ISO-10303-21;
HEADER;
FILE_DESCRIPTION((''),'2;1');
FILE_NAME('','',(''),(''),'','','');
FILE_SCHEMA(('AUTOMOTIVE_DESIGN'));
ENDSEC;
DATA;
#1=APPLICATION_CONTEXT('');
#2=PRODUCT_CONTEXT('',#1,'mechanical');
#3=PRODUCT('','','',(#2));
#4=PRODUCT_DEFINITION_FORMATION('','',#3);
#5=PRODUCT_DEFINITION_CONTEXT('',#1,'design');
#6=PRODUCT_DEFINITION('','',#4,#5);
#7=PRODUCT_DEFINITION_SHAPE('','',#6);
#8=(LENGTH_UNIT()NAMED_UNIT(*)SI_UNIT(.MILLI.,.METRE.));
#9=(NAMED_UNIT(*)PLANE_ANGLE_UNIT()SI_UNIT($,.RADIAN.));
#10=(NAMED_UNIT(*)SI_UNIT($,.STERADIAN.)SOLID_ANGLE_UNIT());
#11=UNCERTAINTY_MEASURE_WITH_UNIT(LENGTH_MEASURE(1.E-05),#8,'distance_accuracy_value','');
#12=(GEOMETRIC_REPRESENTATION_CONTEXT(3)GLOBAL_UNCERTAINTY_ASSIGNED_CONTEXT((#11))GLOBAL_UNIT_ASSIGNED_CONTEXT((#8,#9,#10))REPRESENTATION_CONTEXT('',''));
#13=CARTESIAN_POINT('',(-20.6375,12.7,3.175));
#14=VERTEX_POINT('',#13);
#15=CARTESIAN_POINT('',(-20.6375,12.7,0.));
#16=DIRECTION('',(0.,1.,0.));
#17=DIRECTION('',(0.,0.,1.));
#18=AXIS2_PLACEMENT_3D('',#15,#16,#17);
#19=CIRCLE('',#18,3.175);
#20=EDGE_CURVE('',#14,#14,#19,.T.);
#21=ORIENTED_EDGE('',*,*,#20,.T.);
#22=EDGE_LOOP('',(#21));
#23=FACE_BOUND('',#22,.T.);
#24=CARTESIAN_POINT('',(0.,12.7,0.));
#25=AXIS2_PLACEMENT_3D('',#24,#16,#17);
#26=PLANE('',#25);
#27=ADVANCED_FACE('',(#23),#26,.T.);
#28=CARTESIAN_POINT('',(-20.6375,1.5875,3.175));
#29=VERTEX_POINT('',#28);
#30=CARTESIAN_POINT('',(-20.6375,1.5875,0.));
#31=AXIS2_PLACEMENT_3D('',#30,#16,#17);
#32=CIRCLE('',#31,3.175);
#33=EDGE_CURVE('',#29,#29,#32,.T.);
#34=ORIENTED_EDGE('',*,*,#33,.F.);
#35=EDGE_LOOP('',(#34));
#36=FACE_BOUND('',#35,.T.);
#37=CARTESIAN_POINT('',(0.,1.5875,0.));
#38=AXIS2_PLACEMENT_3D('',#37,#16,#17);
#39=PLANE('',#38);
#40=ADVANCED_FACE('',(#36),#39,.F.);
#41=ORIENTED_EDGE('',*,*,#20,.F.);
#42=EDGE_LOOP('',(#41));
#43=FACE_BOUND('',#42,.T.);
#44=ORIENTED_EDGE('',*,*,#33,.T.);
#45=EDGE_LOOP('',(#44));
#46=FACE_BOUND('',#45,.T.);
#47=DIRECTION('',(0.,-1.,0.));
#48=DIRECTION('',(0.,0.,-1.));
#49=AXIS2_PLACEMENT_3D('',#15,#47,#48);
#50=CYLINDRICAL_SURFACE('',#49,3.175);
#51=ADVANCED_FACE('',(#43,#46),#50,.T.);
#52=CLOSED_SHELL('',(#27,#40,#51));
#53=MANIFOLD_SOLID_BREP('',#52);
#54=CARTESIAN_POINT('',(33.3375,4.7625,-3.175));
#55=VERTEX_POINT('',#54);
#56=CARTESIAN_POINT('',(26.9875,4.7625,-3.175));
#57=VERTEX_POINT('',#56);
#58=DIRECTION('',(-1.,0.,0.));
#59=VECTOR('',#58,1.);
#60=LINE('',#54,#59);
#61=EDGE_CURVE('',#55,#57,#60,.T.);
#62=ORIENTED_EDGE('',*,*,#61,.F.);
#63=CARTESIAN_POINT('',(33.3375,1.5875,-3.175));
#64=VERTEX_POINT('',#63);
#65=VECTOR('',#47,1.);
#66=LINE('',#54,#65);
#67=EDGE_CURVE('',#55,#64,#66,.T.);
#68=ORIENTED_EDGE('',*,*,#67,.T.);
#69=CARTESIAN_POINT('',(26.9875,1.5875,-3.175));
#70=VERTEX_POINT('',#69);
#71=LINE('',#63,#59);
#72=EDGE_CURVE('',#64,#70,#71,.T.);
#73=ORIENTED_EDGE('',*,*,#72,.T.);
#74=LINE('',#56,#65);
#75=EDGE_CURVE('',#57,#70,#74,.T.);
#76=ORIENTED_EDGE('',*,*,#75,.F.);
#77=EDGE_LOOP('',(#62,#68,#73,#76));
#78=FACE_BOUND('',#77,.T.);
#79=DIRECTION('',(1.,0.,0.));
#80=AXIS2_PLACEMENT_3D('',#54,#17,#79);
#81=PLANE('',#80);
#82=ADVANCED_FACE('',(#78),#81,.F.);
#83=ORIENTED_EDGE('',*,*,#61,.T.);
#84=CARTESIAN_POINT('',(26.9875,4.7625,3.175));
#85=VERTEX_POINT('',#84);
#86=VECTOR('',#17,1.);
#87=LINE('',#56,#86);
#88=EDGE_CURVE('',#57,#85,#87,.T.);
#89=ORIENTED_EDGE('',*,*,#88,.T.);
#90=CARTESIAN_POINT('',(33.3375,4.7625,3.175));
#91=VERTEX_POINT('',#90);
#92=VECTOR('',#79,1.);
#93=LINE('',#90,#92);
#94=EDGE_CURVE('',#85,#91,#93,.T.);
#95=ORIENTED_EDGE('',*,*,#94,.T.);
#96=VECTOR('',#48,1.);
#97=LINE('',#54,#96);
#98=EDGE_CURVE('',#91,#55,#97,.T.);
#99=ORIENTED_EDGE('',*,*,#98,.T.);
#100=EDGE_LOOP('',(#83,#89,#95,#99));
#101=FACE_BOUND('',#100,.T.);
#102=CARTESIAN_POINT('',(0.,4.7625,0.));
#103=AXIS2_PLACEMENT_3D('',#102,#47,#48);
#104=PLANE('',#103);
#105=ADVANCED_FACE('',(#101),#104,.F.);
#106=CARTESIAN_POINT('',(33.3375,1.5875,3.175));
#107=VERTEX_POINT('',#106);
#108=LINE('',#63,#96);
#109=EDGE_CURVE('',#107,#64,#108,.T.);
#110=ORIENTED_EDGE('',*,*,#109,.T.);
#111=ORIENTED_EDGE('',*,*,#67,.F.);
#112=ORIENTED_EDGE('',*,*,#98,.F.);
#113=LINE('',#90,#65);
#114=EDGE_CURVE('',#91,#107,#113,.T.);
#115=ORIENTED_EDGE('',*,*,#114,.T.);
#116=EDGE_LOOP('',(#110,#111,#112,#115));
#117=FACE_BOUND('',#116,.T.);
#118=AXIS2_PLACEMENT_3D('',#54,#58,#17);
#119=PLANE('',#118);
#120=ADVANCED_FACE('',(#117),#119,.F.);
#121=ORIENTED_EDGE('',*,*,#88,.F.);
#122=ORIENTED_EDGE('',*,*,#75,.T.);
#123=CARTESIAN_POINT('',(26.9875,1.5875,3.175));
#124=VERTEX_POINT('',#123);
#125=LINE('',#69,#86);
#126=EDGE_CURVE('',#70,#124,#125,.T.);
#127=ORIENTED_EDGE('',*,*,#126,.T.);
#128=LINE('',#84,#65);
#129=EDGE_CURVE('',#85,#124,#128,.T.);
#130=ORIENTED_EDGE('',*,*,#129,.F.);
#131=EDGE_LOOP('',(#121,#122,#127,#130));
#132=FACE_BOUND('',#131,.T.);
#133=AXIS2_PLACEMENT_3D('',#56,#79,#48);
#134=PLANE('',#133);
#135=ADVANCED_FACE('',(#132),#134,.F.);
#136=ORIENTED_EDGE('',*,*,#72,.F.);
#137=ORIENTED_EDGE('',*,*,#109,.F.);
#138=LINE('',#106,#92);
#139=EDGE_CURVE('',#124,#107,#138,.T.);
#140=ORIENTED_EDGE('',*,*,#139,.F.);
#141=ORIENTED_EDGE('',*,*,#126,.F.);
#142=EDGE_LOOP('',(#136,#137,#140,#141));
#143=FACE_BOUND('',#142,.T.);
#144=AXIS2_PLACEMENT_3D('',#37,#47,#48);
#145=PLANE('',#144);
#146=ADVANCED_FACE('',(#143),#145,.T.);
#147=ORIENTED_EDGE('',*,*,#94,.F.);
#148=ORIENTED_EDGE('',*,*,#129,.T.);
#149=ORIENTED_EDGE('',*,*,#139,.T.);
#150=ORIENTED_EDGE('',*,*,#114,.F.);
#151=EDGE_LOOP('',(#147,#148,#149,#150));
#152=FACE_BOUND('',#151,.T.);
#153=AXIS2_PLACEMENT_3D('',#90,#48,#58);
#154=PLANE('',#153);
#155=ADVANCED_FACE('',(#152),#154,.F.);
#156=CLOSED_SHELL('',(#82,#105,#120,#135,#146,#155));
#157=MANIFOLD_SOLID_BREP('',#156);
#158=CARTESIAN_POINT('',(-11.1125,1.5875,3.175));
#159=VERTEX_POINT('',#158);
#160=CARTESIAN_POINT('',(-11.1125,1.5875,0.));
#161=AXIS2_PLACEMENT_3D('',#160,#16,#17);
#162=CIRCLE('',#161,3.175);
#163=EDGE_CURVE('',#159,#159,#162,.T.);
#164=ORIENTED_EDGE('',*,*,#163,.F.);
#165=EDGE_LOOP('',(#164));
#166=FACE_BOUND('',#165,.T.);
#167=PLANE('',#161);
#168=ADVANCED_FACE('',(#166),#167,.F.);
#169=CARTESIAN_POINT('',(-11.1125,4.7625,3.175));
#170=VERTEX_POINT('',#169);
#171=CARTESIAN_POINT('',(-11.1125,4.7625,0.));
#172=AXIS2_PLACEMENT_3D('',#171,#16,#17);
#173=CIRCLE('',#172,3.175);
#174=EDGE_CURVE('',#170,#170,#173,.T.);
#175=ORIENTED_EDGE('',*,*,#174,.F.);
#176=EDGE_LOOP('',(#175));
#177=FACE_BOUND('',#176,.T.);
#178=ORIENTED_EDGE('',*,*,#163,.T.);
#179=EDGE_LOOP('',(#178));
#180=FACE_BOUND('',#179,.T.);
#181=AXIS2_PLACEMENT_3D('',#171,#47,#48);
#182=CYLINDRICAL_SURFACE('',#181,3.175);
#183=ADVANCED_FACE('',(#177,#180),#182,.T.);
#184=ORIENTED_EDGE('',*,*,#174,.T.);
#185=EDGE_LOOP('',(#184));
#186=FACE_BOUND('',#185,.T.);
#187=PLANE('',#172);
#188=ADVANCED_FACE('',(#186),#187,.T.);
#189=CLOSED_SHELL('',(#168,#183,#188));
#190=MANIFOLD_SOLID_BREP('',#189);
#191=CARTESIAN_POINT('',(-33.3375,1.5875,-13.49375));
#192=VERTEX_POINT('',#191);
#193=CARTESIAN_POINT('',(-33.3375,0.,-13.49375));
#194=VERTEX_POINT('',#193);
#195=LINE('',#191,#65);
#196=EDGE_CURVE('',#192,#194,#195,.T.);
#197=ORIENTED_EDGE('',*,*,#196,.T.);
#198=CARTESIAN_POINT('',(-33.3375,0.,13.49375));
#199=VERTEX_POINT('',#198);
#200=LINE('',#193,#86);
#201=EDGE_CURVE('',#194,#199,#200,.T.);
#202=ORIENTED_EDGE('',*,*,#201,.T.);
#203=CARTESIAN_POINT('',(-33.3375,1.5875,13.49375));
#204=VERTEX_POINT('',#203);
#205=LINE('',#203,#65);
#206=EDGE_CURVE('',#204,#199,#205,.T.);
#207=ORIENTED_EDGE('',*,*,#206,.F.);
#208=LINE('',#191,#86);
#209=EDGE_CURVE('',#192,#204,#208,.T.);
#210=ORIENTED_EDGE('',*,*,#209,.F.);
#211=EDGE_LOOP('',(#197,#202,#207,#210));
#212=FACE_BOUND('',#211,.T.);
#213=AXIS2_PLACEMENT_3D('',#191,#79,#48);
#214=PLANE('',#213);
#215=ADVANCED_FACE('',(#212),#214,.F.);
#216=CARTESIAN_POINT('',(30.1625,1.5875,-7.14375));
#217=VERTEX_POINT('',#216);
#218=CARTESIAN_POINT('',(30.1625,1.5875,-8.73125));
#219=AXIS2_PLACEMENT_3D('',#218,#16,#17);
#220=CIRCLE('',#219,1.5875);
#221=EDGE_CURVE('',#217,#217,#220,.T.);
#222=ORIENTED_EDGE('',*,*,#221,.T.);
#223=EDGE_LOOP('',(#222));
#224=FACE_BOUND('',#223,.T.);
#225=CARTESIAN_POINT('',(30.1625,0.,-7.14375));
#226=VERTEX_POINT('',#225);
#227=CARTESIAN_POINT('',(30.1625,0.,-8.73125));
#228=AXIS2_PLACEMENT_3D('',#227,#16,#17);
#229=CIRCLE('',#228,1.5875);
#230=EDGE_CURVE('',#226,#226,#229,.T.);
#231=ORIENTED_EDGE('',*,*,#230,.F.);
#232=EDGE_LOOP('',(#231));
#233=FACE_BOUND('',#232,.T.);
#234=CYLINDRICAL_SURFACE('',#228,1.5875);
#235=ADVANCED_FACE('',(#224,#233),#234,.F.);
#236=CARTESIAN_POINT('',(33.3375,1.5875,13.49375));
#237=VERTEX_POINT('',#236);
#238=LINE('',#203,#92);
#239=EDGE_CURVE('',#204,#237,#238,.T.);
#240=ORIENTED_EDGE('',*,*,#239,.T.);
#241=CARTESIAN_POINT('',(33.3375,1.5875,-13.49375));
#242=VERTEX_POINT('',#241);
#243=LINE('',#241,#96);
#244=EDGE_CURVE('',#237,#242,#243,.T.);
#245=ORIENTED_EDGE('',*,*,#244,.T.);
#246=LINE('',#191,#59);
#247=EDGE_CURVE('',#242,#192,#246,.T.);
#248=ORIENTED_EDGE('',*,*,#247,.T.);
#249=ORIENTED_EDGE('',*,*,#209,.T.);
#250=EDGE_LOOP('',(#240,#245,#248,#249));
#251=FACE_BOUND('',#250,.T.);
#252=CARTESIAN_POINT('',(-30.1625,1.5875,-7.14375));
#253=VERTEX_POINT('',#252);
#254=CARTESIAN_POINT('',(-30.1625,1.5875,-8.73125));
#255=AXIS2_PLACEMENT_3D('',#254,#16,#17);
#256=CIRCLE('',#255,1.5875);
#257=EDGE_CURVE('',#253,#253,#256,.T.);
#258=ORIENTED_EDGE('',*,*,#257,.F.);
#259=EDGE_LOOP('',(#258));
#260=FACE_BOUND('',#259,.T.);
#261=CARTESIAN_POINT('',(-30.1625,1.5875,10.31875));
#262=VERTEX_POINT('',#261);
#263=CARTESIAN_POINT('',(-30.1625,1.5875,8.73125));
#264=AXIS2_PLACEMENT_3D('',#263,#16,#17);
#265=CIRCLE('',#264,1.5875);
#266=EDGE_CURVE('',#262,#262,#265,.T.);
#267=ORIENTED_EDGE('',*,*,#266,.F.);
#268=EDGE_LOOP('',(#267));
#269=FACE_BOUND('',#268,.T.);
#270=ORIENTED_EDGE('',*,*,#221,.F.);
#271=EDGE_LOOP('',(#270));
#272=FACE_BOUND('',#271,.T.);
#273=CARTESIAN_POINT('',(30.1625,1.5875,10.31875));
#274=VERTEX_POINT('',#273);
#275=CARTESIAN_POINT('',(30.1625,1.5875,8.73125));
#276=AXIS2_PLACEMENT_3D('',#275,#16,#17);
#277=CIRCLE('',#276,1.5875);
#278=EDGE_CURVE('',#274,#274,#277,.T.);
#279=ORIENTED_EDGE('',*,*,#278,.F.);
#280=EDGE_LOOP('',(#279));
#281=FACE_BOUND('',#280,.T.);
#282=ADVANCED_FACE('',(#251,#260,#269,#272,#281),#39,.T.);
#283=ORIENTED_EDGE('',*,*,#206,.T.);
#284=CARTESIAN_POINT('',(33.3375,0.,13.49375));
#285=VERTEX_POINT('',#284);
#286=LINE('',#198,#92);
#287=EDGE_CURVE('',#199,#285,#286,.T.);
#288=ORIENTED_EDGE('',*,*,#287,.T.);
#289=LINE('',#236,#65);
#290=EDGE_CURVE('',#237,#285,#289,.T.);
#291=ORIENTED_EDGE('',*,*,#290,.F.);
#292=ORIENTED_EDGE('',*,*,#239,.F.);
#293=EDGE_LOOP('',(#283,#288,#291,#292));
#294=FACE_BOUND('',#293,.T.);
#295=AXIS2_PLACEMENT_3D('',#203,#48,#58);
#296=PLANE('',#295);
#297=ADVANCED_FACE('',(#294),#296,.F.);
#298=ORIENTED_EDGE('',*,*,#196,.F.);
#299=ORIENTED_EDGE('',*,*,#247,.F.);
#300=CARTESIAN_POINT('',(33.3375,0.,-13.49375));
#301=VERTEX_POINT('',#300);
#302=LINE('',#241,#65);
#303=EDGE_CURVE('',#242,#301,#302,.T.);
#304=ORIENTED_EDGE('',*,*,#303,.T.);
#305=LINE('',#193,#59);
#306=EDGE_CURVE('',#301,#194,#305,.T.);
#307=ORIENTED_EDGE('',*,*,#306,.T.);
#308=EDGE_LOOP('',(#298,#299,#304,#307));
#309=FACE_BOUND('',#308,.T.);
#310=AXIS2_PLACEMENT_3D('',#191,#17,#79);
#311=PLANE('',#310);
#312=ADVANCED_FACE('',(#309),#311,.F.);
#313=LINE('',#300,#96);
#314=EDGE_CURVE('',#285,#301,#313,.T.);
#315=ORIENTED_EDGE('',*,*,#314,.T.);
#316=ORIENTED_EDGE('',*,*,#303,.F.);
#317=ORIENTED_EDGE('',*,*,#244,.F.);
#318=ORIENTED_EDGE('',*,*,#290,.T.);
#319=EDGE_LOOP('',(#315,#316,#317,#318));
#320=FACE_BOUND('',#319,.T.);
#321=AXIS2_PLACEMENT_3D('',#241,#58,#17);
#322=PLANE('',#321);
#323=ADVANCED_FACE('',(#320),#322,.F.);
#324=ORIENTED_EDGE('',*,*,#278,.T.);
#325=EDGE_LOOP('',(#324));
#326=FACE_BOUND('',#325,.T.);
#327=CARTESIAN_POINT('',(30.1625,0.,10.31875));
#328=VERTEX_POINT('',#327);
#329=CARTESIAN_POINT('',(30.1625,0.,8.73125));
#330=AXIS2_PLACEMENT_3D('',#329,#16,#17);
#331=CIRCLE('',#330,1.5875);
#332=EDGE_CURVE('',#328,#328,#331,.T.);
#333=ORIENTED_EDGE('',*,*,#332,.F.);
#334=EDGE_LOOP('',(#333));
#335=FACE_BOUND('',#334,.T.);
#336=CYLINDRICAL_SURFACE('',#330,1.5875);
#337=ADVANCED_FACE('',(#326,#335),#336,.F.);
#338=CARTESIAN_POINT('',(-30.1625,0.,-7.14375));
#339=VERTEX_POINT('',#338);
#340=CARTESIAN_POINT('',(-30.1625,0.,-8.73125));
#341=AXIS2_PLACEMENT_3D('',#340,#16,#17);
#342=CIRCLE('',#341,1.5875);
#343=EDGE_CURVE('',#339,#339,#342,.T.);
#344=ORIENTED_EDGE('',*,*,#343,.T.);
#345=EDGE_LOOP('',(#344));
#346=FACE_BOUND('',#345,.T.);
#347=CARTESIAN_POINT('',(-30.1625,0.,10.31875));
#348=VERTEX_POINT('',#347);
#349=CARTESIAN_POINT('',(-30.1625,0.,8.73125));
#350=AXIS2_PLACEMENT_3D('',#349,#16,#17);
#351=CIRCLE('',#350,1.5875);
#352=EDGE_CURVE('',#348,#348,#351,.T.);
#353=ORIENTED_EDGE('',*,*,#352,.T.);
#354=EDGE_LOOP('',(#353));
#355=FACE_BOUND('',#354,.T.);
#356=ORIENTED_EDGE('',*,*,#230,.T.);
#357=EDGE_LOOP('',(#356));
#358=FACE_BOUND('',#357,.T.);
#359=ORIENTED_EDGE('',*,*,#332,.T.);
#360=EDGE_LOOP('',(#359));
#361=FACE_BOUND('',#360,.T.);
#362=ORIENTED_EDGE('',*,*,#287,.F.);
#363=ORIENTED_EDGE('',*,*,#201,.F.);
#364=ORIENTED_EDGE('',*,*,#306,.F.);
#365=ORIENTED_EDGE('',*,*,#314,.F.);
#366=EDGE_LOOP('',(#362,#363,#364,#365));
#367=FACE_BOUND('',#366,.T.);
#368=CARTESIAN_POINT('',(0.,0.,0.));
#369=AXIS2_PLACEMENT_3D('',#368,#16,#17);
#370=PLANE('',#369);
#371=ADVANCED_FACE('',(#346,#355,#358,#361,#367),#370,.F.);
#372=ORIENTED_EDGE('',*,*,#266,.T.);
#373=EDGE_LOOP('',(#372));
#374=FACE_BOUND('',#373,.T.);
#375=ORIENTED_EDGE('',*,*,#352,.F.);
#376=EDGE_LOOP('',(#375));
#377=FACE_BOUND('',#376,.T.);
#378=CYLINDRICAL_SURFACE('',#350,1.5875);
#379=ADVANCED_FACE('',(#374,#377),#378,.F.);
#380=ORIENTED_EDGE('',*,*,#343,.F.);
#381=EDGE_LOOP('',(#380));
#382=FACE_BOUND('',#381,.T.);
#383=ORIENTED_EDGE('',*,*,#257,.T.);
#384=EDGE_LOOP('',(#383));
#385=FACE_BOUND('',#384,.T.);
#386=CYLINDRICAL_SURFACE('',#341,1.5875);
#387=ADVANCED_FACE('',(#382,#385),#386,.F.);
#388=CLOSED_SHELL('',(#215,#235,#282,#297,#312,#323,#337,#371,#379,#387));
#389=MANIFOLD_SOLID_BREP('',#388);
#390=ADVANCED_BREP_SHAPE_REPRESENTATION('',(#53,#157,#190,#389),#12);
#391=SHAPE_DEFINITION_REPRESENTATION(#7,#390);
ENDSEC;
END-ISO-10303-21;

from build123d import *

# Parameters (mm, degrees)
SKETCH1_W             = 66.675
SKETCH1_H             = 26.9875
BOSS_EXTRUDE1_DEPTH   = 1.5875
SKETCH2_R             = 3.175
BOSS_EXTRUDE2_DEPTH   = 11.1125
SKETCH3_R             = 3.175
BOSS_EXTRUDE3_DEPTH   = 3.175
SKETCH3_W             = 6.35
SKETCH3_H             = 6.35
BOSS_EXTRUDE3_2_DEPTH = 3.175
SKETCH4_R             = 1.5875
CUT_EXTRUDE1_DEPTH    = 2.5875


with BuildPart() as part:
    # Sketch1 → Boss-Extrude1 (new body)
    with BuildSketch(Plane(origin=(0, 0, 0), x_dir=(1, 0, 0), z_dir=(0, 1, 0))):
        Rectangle(SKETCH1_W, SKETCH1_H)
    extrude(amount=BOSS_EXTRUDE1_DEPTH)

    # Sketch4 → Cut-Extrude1 (cut, through all)
    with BuildSketch(Plane(origin=(0, 1.5875, 0), x_dir=(1, 0, 0), z_dir=(0, 1, 0))):
        with Locations((30.1625, -8.73125)):
            Circle(SKETCH4_R)
        with Locations((30.1625, 8.73125)):
            Circle(SKETCH4_R)
        with Locations((-30.1625, 8.73125)):
            Circle(SKETCH4_R)
        with Locations((-30.1625, -8.73125)):
            Circle(SKETCH4_R)
    extrude(amount=-CUT_EXTRUDE1_DEPTH, mode=Mode.SUBTRACT)


with BuildPart() as body_2:
    # Sketch2 → Boss-Extrude2 (new body)
    with BuildSketch(Plane(origin=(0, 1.5875, 0), x_dir=(1, 0, 0), z_dir=(0, 1, 0))):
        with Locations((-20.6375, 0)):
            Circle(SKETCH2_R)
    extrude(amount=BOSS_EXTRUDE2_DEPTH)


with BuildPart() as body_3:
    # Sketch3 → Boss-Extrude3 (new body)
    with BuildSketch(Plane(origin=(0, 1.5875, 0), x_dir=(1, 0, 0), z_dir=(0, 1, 0))):
        with Locations((-11.1125, 0)):
            Circle(SKETCH3_R)
    extrude(amount=BOSS_EXTRUDE3_DEPTH)


with BuildPart() as body_4:
    # Sketch3 → Boss-Extrude3 2 (new body)
    with BuildSketch(Plane(origin=(0, 1.5875, 0), x_dir=(1, 0, 0), z_dir=(0, 1, 0))):
        with Locations((30.1625, 0)):
            Rectangle(SKETCH3_W, SKETCH3_H)
    extrude(amount=BOSS_EXTRUDE3_2_DEPTH)


solid = Compound([part.part, body_2.part, body_3.part, body_4.part])
